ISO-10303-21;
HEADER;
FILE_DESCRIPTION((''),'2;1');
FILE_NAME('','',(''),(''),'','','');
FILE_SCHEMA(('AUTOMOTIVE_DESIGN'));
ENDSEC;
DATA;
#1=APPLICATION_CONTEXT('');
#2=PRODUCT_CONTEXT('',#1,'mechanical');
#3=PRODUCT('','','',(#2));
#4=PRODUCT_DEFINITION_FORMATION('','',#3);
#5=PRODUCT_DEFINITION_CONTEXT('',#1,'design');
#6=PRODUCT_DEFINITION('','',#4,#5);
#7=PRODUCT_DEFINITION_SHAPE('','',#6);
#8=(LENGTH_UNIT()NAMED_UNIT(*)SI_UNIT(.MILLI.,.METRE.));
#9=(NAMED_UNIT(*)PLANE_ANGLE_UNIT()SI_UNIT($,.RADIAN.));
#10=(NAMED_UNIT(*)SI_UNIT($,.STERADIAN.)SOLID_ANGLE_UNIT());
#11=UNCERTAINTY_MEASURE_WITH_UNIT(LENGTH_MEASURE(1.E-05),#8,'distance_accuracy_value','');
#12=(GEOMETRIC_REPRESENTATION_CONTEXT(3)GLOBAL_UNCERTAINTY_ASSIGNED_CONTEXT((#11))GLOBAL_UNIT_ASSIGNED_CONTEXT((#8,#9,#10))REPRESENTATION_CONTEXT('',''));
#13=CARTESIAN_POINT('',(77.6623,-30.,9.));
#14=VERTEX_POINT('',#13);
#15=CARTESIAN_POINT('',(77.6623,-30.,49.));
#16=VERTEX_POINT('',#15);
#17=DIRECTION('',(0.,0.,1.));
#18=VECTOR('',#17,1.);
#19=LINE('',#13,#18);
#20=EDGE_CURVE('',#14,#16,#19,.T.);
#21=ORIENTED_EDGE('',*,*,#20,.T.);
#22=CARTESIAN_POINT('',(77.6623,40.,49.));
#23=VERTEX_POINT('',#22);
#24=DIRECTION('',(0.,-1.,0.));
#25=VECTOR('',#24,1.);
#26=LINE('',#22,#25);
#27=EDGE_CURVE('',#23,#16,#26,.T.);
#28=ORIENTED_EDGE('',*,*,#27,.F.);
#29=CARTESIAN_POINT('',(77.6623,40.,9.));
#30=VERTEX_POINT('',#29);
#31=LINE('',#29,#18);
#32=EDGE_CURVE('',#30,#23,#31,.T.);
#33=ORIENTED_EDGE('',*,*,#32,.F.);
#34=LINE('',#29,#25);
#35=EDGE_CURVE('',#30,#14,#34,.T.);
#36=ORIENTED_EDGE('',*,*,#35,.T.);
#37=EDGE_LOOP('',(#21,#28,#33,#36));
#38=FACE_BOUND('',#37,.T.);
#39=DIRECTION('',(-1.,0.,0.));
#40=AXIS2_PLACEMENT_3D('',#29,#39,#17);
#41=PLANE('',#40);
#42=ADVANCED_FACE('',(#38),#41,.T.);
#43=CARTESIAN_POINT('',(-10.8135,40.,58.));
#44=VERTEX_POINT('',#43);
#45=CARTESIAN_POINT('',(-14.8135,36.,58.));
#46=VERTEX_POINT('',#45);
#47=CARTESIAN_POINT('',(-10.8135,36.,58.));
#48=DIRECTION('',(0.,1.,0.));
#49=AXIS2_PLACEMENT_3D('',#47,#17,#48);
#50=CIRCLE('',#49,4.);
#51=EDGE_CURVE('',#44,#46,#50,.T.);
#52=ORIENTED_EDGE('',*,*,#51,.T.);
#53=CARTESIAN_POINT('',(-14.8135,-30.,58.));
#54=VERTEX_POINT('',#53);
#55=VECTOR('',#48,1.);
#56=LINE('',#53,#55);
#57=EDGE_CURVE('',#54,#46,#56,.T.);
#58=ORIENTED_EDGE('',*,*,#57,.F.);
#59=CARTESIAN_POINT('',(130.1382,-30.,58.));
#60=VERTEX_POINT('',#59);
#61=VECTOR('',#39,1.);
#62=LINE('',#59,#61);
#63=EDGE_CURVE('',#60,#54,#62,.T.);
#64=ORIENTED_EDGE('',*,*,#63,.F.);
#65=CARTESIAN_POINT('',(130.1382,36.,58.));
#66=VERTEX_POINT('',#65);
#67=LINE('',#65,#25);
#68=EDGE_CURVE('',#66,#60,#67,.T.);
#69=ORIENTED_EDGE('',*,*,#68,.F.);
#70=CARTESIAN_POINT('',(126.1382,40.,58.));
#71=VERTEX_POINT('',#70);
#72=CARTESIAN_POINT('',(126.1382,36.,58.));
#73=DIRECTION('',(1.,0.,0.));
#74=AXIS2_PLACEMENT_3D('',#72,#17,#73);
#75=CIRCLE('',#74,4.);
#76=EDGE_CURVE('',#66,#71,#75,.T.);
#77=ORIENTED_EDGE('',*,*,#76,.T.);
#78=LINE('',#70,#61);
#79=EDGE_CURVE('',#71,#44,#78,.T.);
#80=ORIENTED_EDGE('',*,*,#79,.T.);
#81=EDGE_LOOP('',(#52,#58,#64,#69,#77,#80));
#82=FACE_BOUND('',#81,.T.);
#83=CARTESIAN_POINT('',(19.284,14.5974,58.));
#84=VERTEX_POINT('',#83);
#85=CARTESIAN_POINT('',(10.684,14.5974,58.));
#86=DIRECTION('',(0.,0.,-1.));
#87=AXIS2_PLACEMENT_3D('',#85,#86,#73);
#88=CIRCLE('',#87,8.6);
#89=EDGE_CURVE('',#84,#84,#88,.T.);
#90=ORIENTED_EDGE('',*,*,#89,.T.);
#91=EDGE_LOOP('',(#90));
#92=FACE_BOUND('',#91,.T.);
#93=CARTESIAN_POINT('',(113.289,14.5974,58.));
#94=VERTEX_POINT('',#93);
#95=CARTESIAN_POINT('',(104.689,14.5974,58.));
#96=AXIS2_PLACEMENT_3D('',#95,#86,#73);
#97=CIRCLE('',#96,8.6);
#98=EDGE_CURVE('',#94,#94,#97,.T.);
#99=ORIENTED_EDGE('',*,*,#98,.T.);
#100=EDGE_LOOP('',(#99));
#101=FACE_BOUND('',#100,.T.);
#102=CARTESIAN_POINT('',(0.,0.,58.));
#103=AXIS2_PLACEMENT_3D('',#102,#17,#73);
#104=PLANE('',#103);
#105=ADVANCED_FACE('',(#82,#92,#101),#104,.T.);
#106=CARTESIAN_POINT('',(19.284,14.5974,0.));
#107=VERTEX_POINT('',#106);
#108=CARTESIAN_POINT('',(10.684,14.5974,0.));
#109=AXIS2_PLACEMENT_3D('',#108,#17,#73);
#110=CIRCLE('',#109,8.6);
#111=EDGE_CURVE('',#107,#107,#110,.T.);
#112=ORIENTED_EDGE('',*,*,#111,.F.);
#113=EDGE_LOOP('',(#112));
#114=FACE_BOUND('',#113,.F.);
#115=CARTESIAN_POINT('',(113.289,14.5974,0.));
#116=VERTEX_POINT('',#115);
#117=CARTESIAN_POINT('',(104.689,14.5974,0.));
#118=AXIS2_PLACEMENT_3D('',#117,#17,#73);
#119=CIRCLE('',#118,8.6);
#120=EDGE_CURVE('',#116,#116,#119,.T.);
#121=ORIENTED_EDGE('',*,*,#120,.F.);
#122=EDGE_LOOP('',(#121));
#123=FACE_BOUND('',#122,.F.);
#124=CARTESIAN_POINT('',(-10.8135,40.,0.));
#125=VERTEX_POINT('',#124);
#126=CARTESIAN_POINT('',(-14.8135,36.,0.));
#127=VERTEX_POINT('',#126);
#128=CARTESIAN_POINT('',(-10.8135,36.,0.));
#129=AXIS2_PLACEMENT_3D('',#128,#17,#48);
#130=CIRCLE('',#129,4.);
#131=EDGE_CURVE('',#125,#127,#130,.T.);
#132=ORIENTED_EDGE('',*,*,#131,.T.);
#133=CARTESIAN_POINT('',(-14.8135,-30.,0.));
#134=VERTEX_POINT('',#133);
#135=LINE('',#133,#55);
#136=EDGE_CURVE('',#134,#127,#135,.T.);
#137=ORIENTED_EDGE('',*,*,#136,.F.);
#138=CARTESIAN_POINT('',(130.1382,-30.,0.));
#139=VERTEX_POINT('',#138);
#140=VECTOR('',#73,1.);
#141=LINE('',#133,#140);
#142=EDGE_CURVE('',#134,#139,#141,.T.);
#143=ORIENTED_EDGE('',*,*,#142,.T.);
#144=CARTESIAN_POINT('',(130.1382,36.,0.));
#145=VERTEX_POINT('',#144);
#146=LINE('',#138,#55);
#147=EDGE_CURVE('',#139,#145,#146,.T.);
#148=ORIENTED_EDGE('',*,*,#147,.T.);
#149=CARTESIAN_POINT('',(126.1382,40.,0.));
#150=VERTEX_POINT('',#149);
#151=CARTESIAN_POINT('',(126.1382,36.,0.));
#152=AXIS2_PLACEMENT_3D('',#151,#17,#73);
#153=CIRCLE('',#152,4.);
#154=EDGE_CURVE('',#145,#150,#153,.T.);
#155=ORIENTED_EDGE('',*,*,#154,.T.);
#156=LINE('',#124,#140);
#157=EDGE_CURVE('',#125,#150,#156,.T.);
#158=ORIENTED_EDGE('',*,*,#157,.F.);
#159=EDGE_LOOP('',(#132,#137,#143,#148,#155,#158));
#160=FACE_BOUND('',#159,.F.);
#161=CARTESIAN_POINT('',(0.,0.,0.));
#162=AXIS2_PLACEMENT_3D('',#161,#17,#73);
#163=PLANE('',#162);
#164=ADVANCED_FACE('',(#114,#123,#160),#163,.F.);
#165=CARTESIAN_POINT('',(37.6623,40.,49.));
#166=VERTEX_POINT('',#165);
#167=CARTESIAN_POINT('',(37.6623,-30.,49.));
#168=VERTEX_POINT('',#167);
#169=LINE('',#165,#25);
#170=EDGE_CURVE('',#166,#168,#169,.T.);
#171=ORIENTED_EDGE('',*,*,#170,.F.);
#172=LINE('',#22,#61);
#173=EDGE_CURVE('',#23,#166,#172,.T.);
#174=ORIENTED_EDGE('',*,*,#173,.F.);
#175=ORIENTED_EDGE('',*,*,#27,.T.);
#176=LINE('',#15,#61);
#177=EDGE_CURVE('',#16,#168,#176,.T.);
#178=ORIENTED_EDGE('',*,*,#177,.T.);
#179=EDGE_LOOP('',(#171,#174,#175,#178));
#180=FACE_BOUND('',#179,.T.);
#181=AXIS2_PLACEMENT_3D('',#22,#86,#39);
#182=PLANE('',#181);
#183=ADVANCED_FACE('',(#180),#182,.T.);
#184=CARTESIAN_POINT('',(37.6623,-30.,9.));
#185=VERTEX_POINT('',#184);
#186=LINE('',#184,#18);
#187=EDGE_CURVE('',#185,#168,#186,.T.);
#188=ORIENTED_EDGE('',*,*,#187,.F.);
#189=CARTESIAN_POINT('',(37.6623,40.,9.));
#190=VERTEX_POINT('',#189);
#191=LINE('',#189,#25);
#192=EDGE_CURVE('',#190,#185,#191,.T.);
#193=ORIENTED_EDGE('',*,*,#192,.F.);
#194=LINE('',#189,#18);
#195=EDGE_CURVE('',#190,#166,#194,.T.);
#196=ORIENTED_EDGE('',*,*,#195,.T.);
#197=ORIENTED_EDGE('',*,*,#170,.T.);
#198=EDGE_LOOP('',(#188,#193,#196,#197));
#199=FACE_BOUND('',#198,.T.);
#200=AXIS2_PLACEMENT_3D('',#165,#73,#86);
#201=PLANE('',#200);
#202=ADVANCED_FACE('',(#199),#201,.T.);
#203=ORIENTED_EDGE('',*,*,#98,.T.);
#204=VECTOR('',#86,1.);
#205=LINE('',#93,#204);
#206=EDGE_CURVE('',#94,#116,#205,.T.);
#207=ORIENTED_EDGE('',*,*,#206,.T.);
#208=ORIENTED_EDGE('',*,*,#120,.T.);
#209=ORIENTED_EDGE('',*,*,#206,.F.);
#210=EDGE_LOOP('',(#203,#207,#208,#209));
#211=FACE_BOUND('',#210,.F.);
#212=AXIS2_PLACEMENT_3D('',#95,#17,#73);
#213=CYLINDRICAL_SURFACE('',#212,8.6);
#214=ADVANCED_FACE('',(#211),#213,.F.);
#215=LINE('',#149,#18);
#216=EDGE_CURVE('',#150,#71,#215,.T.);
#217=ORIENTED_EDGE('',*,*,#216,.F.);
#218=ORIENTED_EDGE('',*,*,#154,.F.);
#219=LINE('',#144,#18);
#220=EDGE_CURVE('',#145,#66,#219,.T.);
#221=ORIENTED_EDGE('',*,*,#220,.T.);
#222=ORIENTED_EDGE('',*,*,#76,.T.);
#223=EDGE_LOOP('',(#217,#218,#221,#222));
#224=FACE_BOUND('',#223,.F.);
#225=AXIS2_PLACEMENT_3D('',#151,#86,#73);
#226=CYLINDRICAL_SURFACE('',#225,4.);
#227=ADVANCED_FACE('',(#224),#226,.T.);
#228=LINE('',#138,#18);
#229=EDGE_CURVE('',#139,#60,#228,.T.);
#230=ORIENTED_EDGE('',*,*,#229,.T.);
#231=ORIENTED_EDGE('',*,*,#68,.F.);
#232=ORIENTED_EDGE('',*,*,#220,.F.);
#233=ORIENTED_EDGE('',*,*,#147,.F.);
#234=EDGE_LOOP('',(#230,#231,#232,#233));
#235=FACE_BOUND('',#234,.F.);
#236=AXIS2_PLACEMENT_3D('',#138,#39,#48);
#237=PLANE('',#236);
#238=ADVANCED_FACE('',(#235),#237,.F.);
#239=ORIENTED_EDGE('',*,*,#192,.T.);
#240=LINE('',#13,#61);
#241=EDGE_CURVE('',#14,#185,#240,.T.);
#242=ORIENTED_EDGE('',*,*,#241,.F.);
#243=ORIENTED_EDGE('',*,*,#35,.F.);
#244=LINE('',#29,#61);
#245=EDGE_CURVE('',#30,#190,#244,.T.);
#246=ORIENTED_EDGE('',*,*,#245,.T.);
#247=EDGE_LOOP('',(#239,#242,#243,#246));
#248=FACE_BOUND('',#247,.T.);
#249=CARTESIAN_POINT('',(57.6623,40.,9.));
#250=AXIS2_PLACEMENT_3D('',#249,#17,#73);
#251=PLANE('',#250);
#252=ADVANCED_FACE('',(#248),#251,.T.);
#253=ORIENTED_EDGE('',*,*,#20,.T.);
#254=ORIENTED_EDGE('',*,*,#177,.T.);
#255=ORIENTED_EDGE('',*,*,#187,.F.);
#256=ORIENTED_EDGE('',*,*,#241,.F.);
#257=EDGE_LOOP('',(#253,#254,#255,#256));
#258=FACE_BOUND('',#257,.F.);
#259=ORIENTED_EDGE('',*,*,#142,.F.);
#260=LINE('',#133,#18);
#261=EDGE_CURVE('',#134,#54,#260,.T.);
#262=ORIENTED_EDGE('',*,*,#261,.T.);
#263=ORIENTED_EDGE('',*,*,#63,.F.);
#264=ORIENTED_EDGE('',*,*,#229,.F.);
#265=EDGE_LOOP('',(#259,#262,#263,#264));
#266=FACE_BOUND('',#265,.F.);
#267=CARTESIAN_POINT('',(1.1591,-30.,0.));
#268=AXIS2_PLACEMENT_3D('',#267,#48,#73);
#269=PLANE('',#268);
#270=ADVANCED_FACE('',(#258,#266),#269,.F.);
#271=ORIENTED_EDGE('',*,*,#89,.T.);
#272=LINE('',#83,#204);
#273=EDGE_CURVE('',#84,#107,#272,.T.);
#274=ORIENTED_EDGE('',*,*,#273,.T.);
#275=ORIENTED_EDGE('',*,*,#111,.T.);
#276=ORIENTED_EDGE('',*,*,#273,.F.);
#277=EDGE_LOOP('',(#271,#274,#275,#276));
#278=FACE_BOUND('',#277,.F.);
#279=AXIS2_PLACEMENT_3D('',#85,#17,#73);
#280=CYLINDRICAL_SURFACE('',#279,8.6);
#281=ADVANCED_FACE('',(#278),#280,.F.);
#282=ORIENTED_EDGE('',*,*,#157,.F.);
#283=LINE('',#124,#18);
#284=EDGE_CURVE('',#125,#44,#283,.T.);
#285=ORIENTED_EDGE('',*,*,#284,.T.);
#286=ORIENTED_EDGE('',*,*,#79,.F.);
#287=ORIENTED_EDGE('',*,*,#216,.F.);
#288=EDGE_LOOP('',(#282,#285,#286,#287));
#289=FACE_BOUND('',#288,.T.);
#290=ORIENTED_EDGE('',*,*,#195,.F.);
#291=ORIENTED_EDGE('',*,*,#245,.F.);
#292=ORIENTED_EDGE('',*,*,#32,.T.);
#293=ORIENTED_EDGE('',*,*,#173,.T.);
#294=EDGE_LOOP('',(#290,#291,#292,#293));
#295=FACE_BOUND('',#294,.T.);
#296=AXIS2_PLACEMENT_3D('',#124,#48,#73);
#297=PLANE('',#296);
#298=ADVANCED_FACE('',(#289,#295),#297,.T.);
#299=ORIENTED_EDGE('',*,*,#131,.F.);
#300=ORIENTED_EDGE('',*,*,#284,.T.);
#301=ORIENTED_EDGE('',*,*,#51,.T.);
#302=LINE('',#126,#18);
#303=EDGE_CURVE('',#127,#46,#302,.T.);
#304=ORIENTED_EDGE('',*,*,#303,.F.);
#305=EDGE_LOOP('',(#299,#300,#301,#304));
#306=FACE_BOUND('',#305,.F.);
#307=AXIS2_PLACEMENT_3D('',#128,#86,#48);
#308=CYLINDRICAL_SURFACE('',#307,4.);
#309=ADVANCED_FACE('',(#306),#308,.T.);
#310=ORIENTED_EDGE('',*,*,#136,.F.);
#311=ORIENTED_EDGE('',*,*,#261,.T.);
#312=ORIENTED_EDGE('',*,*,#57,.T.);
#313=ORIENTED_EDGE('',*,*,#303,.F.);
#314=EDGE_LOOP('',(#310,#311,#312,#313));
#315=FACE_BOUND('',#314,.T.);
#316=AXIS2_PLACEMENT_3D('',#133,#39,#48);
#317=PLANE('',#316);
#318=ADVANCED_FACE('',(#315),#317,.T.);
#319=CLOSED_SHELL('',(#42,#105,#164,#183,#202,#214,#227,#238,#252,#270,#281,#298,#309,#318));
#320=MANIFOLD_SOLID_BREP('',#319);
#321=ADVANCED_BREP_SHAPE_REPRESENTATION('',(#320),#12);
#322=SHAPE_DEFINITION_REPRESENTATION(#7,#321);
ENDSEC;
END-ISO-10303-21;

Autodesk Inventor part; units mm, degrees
ref_plane "YZ Plane" through (0, 0, 0) normal (1, 0, 0) x (0, 1, 0)
ref_plane "XZ Plane" through (0, 0, 0) normal (0, 1, 0) x (-1, 0, 0)
ref_plane "XY Plane" through (0, 0, 0) normal (0, 0, 1) x (1, 0, 0)
sketch "Sketch1" plane through (0, 0, 0) normal (0, 0, 1) x (1, 0, 0)
  line L0 (130.1382, 2) -> (130.1382, 24.0208)
  line L1 (114.1591, 40) -> (3.1591, 40)
  line L2 (1.1591, -30) -> (130.1382, -30)
  line L3 (130.1382, -30) -> (130.1382, 2)
  line L4 (1.1591, -30) -> (-14.8135, -30)
  line L5 (-14.8135, -30) -> (-14.8135, 37.6368)
  line L6 (114.1591, 40) -> (126.1382, 40)
  line L7 (130.1382, 36) -> (130.1382, 24.0208)
  line L8 (126.1382, 40) -> (126.1382, 40)
  line L9 (130.1382, 36) -> (130.1382, 36)
  line L10 (-14.8135, 37.6368) -> (-14.8135, 36)
  line L11 (-10.8135, 40) -> (3.1591, 40)
  arc A0 (-10.8135, 40) -> (-14.8135, 36) centre (-10.8135, 36) ccw
  arc A1 (130.1382, 36) -> (126.1382, 40) centre (126.1382, 36) ccw
  circle A2 centre (104.5, 18) radius 8.6
  circle A3 centre (10.5, 18) radius 8.6
  point P0 (130.1382, 40)
  point P1 (-14.8135, 40)
  dimension "d41" = 4
extrude "Extrusion1" add sketch "Sketch1" along normal blind 58 contours L3 L2 L4 L5 A0 L11 L1 L6 A1 L7 L0 | A2 | A3
sketch "Sketch3" plane through (0, 0, 58) normal (0, 0, 1) x (1, 0, 0)
  circle A0 centre (104.5, 18) radius 10.5 projected
  circle A1 centre (10.495, 18) radius 10.5
  point P0 (0, 0)
  dimension "d28" = 21
extrude "Extrusion3" cut sketch "Sketch3" against normal blind 90 contours A1
sketch "Sketch4" plane through (-14.8135, 40, 0) normal (0, 1, 0) x (1, 0, 0)
  line L0 (52.4758, -29) -> (52.4758, -9)
  line L1 (52.4758, -9) -> (72.4758, -9)
  line L2 (52.4758, -9) -> (92.4758, -9)
  line L3 (92.4758, -9) -> (92.4758, -49)
  line L4 (92.4758, -49) -> (52.4758, -49)
  line L5 (52.4758, -49) -> (52.4758, -9)
  point P0 (14.8135, 0)
  dimension "d31" = 20
  dimension "d32" = 20
  dimension "d33" = 40
  dimension "d34" = 40
extrude "Extrusion4" cut sketch "Sketch4" against normal blind 70
sketch "Sketch5" plane through (0, 0, 0) normal (0, 0, -1) x (-1, 0, 0)
  point P0 (0, 0)
sketch "Sketch6" plane through (0, 0, 58) normal (0, 0, 1) x (1, 0, 0)
  circle A0 centre (10.495, 18) radius 10.5 projected
  circle A1 centre (10.495, 18) radius 10.5
  point P0 (0, 0)
extrude "Extrusion5" add sketch "Sketch6" against normal blind 58
sketch "Sketch7" plane through (0, 0, 58) normal (0, 0, 1) x (1, 0, 0)
  line L0 (-14.8135, 36) -> (-14.8135, -30) projected
  line L1 (130.1382, -30) -> (130.1382, 36) projected
  line L2 (-14.8135, 14.5974) -> (130.1865, 14.5974)
  line L3 (57.6865, 14.5974) -> (10.684, 14.5974)
  line L4 (10.684, 14.5974) -> (104.689, 14.5974)
  circle A0 centre (104.689, 14.5974) radius 8.6
  circle A1 centre (10.684, 14.5974) radius 8.6
  point P0 (0, 0)
  dimension "d48" = 47.0025
  dimension "d49" = 94.005
  dimension "d50" = 17.2
  dimension "d51" = 17.2
extrude "Extrusion6" cut sketch "Sketch7" against normal blind 58
thread "Thread5" size "M18x2.5" class "6H" standard "ANSI Metric M Profile" full length
thread "Thread6" size "M18x2.5" class "6H" standard "ANSI Metric M Profile" full length
properties part number "project_rough_mover"
